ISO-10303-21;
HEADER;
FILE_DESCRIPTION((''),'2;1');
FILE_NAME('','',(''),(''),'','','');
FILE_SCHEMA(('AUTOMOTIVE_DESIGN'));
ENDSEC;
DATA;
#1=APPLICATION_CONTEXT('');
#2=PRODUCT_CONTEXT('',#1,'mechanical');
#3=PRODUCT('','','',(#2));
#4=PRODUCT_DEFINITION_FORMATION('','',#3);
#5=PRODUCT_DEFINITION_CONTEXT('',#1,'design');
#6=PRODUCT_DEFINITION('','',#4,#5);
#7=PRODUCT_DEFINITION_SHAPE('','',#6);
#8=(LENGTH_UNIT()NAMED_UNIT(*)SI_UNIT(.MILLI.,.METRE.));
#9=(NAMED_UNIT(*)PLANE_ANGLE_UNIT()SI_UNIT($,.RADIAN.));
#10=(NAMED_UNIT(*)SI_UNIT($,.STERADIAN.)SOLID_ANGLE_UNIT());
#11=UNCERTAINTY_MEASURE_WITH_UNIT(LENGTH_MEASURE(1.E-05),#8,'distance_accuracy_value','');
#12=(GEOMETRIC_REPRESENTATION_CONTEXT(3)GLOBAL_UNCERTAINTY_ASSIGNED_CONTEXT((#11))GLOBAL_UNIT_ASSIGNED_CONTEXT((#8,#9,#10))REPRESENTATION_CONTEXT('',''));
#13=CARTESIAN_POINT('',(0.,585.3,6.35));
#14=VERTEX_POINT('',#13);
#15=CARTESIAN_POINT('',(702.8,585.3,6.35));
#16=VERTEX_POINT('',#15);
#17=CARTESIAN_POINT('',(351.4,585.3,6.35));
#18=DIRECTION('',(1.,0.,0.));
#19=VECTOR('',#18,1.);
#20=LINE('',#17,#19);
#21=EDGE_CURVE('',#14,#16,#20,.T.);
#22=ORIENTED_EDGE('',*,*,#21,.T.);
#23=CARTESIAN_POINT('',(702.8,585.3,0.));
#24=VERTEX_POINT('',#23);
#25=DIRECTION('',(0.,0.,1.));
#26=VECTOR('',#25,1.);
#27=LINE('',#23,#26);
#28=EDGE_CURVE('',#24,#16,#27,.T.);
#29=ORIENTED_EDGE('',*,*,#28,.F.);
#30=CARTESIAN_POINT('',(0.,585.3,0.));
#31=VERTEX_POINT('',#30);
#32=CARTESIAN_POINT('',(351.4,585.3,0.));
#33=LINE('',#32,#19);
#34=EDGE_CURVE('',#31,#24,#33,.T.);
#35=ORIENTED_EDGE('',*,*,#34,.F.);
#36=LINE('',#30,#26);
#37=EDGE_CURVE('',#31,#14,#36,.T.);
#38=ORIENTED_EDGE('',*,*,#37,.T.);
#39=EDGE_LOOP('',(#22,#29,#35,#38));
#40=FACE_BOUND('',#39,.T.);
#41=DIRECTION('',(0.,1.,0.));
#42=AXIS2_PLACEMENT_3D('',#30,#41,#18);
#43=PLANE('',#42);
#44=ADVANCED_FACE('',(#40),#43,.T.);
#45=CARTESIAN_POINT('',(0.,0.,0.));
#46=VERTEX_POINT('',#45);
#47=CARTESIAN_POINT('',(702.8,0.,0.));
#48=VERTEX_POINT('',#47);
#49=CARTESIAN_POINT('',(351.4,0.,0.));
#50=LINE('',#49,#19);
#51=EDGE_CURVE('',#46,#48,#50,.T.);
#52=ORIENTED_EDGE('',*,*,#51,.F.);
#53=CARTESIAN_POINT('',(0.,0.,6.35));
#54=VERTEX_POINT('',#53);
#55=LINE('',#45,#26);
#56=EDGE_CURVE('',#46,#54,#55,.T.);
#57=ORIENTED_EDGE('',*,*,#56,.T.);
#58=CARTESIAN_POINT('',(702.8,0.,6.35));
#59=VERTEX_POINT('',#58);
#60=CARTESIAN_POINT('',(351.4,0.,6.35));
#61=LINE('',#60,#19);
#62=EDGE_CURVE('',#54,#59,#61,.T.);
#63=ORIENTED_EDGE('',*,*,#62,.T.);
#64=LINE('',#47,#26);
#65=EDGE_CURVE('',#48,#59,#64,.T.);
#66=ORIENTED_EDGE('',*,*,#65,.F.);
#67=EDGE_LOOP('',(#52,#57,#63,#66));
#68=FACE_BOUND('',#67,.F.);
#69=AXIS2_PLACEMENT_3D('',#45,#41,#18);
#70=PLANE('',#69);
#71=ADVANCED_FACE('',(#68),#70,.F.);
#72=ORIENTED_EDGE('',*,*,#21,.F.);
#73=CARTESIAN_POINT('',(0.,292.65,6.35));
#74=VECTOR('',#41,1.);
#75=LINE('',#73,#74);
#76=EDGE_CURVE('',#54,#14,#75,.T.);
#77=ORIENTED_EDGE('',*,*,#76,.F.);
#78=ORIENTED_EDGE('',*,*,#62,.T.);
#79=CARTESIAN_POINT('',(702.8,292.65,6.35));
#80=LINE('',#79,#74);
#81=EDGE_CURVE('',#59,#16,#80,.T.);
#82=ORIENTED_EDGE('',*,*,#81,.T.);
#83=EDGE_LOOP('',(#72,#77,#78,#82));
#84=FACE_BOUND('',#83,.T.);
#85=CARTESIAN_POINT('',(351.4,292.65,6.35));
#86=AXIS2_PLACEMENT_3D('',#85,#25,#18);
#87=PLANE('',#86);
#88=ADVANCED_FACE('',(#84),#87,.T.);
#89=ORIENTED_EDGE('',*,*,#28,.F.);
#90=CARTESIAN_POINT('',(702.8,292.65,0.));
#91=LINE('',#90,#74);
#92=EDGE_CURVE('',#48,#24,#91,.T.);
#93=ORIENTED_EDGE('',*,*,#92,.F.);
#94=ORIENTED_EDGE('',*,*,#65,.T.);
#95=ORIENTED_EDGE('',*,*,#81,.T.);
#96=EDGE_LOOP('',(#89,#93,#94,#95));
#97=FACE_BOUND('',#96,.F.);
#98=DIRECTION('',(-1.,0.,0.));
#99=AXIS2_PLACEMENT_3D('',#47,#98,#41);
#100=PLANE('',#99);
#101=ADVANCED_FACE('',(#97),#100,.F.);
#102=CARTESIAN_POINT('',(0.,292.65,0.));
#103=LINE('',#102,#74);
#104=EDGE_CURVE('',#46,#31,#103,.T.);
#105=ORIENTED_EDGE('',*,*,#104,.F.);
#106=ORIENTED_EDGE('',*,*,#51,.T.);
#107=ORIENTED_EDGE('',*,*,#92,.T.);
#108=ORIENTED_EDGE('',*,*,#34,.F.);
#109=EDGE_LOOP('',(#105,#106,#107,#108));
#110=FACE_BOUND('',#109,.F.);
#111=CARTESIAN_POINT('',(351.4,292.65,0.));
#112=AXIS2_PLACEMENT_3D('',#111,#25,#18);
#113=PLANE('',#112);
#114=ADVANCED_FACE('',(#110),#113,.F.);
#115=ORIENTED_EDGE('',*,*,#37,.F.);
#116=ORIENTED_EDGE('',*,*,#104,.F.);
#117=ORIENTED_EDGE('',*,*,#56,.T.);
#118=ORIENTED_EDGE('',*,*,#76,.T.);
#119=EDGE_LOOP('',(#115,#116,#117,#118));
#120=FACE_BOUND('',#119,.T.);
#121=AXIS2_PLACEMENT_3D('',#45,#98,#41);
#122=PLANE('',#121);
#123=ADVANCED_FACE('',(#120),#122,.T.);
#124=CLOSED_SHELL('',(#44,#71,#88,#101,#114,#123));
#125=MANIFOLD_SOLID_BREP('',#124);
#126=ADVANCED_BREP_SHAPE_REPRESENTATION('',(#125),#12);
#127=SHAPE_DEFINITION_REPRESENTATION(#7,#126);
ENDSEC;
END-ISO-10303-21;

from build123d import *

# Parameters (mm, degrees)
SKETCH_W  = 702.8
SKETCH_H  = 585.3
PAD_DEPTH = 6.35


with BuildPart() as part:
    # Sketch → Pad (new body)
    with BuildSketch(Plane.XY):
        with Locations((351.4, 292.65)):
            Rectangle(SKETCH_W, SKETCH_H)
    extrude(amount=PAD_DEPTH)


solid = part.part
